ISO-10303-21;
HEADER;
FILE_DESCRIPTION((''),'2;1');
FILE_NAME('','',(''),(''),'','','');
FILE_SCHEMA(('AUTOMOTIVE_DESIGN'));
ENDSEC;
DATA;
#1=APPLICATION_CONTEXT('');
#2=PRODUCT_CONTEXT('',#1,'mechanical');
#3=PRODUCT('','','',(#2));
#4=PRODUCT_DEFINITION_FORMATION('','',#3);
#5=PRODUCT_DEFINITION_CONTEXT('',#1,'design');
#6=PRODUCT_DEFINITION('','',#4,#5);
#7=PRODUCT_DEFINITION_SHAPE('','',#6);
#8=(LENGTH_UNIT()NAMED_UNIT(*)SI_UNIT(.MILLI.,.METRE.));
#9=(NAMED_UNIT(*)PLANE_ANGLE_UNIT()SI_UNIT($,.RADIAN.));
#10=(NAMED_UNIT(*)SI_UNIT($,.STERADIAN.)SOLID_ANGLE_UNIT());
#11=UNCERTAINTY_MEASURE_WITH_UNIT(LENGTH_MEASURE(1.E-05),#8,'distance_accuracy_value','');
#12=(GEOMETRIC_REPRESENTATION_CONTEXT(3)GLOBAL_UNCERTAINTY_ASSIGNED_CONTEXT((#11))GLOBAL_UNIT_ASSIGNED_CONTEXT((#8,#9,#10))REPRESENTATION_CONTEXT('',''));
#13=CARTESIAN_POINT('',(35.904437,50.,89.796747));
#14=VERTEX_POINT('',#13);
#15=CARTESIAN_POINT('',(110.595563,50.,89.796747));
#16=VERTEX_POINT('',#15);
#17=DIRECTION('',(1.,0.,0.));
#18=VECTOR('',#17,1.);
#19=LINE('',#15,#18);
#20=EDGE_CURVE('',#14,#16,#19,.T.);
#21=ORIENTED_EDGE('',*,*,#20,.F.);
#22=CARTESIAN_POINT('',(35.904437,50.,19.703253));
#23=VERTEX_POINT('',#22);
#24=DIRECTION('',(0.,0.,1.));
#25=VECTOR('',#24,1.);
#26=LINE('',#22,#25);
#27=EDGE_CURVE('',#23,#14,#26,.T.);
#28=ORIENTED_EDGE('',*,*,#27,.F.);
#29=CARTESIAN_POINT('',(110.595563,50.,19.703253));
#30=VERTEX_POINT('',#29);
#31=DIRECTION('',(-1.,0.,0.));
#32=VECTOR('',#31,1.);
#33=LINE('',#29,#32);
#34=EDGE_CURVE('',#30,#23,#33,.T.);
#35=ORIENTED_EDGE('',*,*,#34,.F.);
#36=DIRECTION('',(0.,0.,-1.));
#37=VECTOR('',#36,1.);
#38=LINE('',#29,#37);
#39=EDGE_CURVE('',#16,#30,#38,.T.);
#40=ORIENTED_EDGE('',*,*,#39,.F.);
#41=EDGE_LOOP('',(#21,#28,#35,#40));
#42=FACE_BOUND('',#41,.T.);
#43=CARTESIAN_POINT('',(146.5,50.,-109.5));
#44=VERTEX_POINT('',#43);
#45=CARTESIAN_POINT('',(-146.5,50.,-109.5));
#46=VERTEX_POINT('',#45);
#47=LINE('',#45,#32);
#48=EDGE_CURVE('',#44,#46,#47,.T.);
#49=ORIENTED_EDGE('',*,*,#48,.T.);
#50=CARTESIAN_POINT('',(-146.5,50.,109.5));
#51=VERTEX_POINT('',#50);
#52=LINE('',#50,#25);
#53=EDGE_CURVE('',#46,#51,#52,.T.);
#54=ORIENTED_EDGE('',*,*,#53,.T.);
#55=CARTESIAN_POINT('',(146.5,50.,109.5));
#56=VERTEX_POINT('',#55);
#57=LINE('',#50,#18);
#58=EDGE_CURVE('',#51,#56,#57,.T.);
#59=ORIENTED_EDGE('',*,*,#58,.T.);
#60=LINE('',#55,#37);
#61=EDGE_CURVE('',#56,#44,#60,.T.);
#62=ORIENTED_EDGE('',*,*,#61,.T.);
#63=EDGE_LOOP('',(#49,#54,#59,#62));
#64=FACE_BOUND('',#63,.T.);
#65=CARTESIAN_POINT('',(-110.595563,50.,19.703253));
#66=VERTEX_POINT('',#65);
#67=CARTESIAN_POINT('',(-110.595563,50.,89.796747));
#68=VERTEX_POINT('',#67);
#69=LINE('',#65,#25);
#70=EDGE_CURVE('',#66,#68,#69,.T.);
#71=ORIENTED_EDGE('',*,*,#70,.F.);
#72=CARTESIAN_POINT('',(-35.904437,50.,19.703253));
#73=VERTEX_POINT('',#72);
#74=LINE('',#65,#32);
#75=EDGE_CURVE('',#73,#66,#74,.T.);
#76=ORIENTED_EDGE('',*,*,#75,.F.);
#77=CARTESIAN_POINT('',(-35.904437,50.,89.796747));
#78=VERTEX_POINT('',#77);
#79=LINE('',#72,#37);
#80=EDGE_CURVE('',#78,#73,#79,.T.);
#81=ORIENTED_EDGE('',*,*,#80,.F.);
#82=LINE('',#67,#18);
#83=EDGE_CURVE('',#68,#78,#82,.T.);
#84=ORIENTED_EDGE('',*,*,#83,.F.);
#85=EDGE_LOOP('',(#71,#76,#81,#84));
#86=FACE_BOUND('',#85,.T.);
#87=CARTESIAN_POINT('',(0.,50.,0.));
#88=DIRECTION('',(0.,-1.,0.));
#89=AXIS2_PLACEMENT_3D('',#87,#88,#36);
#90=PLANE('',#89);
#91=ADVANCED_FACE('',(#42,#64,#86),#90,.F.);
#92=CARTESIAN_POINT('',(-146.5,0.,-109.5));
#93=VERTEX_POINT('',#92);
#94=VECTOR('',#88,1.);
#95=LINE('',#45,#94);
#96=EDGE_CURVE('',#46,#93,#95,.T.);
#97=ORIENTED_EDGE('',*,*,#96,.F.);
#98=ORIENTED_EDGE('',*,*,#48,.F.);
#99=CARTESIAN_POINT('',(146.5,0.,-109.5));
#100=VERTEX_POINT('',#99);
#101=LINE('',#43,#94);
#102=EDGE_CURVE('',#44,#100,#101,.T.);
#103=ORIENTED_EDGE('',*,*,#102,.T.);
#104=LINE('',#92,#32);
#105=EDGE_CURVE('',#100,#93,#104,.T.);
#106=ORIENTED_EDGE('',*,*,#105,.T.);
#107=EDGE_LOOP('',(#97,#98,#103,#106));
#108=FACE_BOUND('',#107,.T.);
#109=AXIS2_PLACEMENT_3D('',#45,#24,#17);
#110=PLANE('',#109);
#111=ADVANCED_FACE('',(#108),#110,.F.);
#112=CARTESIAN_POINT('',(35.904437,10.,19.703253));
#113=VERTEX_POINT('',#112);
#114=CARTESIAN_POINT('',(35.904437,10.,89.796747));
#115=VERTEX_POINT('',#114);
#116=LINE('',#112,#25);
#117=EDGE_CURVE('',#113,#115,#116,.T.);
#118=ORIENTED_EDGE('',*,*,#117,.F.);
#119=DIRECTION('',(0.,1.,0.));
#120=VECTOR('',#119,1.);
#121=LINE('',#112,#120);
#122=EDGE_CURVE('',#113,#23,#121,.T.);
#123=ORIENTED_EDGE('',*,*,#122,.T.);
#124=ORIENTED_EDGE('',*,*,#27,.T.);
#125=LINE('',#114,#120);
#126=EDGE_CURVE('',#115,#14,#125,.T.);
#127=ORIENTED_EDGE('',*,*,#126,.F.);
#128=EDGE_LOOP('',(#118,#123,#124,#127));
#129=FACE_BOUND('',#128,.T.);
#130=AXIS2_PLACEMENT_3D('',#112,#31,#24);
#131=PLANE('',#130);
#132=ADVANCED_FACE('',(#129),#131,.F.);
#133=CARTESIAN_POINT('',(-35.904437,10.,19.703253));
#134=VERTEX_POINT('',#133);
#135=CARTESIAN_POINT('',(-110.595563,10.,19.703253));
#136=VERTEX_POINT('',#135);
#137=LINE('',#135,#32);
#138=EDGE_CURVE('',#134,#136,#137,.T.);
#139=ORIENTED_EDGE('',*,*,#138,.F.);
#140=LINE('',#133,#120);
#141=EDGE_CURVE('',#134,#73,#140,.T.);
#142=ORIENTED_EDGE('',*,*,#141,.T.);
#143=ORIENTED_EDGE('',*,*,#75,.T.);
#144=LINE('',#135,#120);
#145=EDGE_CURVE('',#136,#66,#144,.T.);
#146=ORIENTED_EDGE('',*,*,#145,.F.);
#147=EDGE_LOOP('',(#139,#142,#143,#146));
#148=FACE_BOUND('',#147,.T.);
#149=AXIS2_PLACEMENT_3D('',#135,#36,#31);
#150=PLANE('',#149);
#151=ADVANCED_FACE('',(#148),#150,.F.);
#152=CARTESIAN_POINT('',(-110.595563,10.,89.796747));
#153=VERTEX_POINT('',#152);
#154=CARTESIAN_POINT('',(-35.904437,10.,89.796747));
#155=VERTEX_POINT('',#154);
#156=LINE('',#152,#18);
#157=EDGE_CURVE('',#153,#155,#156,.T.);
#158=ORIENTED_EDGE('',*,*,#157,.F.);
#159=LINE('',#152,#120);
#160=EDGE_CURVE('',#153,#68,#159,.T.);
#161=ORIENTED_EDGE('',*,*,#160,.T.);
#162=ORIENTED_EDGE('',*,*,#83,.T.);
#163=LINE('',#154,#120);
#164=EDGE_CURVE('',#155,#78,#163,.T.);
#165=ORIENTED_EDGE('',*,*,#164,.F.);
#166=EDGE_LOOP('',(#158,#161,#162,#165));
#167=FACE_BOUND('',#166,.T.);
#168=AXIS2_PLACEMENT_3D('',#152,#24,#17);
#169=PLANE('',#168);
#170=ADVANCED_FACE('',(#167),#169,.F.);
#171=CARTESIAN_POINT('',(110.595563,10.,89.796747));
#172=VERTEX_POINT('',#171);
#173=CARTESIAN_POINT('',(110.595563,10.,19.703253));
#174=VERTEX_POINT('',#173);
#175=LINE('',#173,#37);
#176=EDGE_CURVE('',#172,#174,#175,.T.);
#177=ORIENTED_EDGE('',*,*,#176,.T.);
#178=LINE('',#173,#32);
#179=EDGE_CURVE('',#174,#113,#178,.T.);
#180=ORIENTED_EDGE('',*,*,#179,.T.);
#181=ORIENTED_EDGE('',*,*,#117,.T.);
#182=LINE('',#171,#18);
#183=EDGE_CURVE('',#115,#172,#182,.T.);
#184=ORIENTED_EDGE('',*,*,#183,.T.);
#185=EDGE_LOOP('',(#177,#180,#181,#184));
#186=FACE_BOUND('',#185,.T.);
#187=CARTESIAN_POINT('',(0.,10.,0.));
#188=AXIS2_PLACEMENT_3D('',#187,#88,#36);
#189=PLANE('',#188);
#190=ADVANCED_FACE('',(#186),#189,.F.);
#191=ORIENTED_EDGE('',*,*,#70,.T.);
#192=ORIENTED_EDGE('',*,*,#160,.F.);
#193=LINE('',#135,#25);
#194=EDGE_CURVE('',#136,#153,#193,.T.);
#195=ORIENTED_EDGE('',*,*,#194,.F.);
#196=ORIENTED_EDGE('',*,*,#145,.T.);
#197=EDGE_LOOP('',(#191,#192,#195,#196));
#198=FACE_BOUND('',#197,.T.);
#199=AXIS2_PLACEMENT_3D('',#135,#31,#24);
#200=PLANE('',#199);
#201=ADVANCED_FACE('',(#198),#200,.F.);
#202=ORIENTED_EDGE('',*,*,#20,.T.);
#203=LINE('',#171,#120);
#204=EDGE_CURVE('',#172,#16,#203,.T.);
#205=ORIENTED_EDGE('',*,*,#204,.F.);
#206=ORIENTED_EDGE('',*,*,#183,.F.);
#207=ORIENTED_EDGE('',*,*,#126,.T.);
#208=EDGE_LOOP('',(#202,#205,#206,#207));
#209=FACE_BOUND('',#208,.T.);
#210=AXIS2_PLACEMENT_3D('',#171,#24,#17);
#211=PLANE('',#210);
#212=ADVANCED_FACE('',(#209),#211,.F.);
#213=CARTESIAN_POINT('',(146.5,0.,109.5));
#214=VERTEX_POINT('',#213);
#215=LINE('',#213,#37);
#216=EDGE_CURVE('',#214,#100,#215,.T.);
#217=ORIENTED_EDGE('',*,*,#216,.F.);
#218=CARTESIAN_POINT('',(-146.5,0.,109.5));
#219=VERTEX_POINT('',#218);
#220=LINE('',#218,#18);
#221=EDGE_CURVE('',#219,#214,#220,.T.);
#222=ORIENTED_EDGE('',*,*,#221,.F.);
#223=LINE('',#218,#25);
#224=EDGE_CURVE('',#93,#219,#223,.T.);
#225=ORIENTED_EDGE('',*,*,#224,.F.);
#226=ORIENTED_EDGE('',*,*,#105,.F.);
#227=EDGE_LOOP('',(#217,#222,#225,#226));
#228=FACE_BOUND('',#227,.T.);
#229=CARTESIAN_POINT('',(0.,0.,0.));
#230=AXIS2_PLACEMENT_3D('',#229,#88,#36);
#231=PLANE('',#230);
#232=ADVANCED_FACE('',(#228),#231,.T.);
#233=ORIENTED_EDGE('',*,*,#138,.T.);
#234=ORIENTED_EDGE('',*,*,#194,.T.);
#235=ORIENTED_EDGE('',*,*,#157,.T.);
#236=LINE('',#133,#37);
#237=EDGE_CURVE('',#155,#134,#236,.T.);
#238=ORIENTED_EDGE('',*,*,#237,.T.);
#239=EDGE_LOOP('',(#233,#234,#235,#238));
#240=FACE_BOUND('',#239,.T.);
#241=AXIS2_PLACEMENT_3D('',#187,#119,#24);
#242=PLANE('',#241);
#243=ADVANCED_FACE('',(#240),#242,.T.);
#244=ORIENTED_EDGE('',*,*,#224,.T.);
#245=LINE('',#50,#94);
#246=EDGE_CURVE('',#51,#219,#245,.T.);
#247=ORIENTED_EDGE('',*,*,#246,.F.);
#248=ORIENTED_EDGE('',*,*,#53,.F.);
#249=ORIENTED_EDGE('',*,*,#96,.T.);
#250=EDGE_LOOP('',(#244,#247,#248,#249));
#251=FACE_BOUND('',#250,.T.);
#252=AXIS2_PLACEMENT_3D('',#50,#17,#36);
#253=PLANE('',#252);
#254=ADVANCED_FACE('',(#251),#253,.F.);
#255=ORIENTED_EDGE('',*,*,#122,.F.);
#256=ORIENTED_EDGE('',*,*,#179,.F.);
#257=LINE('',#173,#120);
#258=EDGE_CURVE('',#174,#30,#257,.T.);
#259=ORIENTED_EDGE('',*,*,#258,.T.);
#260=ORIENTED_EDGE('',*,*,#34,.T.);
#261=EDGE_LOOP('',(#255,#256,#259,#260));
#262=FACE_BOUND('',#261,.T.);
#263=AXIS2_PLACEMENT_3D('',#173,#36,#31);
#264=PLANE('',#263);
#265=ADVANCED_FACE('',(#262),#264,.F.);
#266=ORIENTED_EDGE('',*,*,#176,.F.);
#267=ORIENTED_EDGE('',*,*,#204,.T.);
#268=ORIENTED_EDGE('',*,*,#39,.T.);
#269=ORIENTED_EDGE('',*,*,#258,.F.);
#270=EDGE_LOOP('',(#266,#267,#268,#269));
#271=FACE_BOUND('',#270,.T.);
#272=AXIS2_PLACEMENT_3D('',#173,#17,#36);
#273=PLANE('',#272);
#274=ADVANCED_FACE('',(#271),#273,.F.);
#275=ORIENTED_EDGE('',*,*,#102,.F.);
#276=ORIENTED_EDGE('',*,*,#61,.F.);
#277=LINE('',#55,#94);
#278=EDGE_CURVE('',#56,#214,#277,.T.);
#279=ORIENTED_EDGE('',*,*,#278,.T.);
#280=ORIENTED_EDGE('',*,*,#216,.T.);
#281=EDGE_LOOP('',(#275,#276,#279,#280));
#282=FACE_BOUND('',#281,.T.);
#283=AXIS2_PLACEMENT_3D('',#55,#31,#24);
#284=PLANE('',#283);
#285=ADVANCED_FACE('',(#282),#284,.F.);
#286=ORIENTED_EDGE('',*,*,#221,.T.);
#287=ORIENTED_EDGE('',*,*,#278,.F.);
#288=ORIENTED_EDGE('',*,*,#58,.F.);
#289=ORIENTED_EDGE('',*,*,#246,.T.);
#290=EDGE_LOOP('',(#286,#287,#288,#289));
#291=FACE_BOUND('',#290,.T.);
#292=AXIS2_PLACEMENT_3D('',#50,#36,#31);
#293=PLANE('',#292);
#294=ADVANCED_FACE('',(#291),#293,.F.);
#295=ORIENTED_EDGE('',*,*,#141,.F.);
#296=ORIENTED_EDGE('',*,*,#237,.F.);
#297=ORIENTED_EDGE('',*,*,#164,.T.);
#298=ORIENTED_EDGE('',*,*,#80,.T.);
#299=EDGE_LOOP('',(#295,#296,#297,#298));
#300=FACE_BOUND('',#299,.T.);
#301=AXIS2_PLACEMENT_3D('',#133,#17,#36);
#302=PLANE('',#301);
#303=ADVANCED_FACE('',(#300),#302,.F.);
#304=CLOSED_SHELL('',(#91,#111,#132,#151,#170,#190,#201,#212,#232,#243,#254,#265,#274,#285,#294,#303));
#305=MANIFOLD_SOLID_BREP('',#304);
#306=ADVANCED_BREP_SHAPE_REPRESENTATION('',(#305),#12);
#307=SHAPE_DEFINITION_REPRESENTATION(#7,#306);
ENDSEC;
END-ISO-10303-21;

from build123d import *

# Parameters (mm, degrees)
SZKIC1_W                    = 293
SZKIC1_H                    = 219
DODANIE_WYCI_GNI_CIE1_DEPTH = 50
SZKIC2_W                    = 74.69112587
SZKIC2_H                    = 70.093493154
WYTNIJ_WYCI_GNI_CIE1_DEPTH  = 40


with BuildPart() as part:
    # Szkic1 → Dodanie-wyciągnięcie1 (new body)
    with BuildSketch(Plane(origin=(0, 0, 0), x_dir=(1, 0, 0), z_dir=(0, 1, 0))):
        Rectangle(SZKIC1_W, SZKIC1_H)
    extrude(amount=DODANIE_WYCI_GNI_CIE1_DEPTH)

    # Szkic2 → Wytnij-wyciągnięcie1 (cut)
    with BuildSketch(Plane(origin=(0, 50, 0), x_dir=(1, 0, 0), z_dir=(0, 1, 0))):
        with Locations((73.25, -54.75)):
            Rectangle(SZKIC2_W, SZKIC2_H)
        with Locations((-73.25, -54.75)):
            Rectangle(SZKIC2_W, SZKIC2_H)
    extrude(amount=-WYTNIJ_WYCI_GNI_CIE1_DEPTH, mode=Mode.SUBTRACT)


solid = part.part
